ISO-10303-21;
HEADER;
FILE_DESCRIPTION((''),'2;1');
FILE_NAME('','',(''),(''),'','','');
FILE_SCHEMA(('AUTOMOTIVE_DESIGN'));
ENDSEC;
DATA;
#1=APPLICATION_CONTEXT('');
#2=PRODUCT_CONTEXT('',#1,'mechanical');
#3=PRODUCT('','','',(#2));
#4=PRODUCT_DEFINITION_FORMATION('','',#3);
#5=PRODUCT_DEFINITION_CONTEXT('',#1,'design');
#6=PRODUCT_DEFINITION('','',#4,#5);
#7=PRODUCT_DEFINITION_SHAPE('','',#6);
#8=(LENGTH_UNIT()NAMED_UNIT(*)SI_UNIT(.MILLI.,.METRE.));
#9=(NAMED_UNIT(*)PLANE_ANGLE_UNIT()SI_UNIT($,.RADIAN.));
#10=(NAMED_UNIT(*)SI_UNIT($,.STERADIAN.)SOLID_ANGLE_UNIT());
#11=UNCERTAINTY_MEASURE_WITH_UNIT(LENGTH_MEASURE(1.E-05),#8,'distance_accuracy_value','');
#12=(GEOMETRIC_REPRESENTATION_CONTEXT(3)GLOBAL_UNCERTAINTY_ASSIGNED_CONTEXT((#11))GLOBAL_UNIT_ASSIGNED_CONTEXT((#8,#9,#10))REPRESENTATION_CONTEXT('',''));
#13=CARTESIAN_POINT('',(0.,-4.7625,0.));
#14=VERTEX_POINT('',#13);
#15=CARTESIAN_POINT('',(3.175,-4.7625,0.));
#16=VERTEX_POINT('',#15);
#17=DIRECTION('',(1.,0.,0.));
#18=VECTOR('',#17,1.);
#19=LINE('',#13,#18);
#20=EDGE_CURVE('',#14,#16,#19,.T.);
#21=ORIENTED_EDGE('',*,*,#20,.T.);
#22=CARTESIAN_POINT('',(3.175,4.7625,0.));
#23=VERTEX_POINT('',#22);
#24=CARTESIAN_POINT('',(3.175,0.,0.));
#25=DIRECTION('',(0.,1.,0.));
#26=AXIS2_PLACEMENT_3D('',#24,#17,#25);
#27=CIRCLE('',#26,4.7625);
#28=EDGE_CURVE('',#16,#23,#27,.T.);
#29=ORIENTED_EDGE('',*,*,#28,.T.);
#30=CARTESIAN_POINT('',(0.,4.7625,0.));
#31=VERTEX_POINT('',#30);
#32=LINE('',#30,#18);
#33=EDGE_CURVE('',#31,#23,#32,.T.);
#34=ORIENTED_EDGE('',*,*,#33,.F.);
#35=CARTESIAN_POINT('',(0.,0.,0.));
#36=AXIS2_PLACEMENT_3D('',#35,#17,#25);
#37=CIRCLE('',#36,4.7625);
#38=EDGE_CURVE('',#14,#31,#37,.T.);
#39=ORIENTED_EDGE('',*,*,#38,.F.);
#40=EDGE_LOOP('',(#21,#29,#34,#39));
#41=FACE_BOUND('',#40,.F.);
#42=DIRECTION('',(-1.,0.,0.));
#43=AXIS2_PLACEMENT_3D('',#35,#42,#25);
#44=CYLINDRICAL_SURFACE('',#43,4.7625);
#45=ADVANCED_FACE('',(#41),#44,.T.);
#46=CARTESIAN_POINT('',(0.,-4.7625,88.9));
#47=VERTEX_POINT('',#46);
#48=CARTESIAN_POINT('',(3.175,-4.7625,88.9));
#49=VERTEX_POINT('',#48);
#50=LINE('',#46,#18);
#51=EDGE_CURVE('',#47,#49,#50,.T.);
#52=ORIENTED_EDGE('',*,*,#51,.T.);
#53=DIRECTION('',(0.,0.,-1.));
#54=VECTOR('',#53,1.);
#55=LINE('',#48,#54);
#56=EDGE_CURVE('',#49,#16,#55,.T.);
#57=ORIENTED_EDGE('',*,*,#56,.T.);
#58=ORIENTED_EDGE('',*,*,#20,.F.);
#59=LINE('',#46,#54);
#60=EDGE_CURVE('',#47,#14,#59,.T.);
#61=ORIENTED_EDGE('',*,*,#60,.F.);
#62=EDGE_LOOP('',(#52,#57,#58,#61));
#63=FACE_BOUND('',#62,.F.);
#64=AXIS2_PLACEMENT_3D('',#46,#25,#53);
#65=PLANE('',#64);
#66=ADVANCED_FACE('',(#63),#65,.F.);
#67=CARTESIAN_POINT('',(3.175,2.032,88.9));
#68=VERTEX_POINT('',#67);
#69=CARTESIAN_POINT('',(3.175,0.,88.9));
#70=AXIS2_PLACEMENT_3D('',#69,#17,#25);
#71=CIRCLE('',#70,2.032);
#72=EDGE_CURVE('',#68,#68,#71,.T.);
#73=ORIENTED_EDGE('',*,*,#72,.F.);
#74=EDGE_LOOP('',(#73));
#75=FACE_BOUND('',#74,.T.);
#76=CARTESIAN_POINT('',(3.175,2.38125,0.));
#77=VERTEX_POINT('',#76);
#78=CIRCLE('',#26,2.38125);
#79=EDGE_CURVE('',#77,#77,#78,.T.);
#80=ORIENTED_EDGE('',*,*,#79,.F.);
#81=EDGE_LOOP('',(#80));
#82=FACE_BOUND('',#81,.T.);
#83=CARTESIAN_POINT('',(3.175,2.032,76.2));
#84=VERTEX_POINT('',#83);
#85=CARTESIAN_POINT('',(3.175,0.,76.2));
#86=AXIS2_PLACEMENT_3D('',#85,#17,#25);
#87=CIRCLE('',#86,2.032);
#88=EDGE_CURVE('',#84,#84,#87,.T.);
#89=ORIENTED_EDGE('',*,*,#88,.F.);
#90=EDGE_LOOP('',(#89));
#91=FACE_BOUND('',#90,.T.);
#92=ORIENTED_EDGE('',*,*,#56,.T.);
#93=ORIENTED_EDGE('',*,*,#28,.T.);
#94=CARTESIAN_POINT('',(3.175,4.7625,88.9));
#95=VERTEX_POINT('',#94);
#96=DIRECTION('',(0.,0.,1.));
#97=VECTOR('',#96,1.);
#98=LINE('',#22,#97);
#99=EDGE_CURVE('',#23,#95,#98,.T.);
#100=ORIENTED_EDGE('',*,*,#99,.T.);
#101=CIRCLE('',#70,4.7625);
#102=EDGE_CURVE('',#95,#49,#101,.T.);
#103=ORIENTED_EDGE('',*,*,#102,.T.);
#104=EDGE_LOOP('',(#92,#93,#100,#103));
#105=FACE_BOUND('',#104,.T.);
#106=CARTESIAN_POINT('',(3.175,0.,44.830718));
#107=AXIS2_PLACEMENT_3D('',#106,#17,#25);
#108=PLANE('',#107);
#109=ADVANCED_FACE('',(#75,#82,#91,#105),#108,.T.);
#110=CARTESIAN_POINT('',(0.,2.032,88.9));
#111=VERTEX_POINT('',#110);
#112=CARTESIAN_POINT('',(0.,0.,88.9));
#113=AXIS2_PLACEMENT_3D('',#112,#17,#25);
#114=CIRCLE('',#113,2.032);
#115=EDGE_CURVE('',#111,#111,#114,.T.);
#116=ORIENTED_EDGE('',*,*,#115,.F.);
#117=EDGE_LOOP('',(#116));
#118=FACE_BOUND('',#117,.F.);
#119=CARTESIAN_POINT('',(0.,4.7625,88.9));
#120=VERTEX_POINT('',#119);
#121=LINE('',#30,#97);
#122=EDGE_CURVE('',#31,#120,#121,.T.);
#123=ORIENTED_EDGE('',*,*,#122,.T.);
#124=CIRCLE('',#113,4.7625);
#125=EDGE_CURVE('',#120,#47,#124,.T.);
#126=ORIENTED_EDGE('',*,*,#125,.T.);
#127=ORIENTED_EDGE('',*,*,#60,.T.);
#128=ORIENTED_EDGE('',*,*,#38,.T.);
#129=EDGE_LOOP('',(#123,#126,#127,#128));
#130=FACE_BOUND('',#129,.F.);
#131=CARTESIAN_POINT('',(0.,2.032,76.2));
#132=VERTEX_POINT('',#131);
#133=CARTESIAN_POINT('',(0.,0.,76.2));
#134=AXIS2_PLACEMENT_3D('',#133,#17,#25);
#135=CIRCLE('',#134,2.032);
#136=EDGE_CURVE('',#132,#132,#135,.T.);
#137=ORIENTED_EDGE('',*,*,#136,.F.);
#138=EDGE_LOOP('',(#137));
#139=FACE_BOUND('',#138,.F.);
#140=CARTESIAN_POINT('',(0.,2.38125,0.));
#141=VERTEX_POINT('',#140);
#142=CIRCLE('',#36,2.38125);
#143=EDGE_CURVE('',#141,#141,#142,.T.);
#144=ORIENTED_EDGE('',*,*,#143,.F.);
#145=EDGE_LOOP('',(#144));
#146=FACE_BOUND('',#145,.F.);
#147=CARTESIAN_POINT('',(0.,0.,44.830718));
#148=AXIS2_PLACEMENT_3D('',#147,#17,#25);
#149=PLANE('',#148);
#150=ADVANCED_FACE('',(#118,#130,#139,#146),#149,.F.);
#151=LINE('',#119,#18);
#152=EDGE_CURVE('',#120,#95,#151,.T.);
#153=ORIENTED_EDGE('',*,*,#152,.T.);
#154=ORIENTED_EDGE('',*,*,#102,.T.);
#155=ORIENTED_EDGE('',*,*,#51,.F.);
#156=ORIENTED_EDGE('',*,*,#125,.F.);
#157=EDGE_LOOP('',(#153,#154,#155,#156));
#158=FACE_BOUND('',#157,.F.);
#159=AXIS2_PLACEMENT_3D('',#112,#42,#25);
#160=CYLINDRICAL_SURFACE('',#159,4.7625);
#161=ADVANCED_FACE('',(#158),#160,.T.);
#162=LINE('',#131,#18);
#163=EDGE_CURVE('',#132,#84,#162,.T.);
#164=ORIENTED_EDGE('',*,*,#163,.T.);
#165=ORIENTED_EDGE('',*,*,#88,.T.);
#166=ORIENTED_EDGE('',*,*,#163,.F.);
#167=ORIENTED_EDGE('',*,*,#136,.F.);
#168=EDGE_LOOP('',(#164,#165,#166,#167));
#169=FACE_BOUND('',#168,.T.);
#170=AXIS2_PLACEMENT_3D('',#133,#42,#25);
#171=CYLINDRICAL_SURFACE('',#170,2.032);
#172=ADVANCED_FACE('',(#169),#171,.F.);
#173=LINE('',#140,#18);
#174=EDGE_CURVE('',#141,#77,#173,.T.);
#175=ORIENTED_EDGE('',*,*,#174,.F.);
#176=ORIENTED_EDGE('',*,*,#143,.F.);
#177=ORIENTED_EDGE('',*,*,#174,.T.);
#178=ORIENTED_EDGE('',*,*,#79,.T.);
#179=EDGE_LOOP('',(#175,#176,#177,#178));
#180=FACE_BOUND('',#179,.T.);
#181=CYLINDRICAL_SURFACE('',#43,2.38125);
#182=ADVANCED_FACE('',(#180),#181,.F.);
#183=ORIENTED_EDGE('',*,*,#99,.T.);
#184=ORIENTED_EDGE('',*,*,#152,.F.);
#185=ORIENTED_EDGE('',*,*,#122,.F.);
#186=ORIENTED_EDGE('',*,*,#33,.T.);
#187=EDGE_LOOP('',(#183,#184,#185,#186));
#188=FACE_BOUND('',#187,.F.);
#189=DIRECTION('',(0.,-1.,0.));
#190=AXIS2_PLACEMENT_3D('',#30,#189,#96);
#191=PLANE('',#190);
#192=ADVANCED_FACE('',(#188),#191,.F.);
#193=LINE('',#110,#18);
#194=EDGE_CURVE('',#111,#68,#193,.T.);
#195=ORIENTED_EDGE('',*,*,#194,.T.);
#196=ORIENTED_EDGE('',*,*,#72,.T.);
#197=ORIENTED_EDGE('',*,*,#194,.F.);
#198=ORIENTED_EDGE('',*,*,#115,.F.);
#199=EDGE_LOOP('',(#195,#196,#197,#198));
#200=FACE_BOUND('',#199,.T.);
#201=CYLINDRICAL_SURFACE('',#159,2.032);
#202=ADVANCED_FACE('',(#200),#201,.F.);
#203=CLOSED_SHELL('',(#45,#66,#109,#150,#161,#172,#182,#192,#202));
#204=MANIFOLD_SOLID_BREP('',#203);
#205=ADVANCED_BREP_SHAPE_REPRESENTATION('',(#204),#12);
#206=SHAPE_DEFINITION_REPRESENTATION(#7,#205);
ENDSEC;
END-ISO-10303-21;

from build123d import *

# Parameters (mm, degrees)
F0_R     = 2.032
F0_R_2   = 2.38125
F1_DEPTH = 3.175


with BuildPart() as f1:
    # F0 (on Right) → F1 (new body)
    with BuildSketch(Plane.YZ):
        with BuildLine():
            Line((4.7625, 0), (4.7625, 88.9))
            ThreePointArc((4.7625, 88.9), (0, 93.6625), (-4.7625, 88.9))
            Line((-4.7625, 88.9), (-4.7625, 0))
            ThreePointArc((-4.7625, 0), (0, 4.7625), (4.7625, 0))
        make_face()
        with Locations((0, 76.2)):
            Circle(F0_R, mode=Mode.SUBTRACT)
        with Locations((0, 88.9)):
            Circle(F0_R, mode=Mode.SUBTRACT)
        with BuildLine():
            ThreePointArc((-4.7625, 0), (0, -4.7625), (4.7625, 0))
            ThreePointArc((4.7625, 0), (0, 4.7625), (-4.7625, 0))
        make_face()
        Circle(F0_R_2, mode=Mode.SUBTRACT)
    extrude(amount=F1_DEPTH)


solid = f1.part
